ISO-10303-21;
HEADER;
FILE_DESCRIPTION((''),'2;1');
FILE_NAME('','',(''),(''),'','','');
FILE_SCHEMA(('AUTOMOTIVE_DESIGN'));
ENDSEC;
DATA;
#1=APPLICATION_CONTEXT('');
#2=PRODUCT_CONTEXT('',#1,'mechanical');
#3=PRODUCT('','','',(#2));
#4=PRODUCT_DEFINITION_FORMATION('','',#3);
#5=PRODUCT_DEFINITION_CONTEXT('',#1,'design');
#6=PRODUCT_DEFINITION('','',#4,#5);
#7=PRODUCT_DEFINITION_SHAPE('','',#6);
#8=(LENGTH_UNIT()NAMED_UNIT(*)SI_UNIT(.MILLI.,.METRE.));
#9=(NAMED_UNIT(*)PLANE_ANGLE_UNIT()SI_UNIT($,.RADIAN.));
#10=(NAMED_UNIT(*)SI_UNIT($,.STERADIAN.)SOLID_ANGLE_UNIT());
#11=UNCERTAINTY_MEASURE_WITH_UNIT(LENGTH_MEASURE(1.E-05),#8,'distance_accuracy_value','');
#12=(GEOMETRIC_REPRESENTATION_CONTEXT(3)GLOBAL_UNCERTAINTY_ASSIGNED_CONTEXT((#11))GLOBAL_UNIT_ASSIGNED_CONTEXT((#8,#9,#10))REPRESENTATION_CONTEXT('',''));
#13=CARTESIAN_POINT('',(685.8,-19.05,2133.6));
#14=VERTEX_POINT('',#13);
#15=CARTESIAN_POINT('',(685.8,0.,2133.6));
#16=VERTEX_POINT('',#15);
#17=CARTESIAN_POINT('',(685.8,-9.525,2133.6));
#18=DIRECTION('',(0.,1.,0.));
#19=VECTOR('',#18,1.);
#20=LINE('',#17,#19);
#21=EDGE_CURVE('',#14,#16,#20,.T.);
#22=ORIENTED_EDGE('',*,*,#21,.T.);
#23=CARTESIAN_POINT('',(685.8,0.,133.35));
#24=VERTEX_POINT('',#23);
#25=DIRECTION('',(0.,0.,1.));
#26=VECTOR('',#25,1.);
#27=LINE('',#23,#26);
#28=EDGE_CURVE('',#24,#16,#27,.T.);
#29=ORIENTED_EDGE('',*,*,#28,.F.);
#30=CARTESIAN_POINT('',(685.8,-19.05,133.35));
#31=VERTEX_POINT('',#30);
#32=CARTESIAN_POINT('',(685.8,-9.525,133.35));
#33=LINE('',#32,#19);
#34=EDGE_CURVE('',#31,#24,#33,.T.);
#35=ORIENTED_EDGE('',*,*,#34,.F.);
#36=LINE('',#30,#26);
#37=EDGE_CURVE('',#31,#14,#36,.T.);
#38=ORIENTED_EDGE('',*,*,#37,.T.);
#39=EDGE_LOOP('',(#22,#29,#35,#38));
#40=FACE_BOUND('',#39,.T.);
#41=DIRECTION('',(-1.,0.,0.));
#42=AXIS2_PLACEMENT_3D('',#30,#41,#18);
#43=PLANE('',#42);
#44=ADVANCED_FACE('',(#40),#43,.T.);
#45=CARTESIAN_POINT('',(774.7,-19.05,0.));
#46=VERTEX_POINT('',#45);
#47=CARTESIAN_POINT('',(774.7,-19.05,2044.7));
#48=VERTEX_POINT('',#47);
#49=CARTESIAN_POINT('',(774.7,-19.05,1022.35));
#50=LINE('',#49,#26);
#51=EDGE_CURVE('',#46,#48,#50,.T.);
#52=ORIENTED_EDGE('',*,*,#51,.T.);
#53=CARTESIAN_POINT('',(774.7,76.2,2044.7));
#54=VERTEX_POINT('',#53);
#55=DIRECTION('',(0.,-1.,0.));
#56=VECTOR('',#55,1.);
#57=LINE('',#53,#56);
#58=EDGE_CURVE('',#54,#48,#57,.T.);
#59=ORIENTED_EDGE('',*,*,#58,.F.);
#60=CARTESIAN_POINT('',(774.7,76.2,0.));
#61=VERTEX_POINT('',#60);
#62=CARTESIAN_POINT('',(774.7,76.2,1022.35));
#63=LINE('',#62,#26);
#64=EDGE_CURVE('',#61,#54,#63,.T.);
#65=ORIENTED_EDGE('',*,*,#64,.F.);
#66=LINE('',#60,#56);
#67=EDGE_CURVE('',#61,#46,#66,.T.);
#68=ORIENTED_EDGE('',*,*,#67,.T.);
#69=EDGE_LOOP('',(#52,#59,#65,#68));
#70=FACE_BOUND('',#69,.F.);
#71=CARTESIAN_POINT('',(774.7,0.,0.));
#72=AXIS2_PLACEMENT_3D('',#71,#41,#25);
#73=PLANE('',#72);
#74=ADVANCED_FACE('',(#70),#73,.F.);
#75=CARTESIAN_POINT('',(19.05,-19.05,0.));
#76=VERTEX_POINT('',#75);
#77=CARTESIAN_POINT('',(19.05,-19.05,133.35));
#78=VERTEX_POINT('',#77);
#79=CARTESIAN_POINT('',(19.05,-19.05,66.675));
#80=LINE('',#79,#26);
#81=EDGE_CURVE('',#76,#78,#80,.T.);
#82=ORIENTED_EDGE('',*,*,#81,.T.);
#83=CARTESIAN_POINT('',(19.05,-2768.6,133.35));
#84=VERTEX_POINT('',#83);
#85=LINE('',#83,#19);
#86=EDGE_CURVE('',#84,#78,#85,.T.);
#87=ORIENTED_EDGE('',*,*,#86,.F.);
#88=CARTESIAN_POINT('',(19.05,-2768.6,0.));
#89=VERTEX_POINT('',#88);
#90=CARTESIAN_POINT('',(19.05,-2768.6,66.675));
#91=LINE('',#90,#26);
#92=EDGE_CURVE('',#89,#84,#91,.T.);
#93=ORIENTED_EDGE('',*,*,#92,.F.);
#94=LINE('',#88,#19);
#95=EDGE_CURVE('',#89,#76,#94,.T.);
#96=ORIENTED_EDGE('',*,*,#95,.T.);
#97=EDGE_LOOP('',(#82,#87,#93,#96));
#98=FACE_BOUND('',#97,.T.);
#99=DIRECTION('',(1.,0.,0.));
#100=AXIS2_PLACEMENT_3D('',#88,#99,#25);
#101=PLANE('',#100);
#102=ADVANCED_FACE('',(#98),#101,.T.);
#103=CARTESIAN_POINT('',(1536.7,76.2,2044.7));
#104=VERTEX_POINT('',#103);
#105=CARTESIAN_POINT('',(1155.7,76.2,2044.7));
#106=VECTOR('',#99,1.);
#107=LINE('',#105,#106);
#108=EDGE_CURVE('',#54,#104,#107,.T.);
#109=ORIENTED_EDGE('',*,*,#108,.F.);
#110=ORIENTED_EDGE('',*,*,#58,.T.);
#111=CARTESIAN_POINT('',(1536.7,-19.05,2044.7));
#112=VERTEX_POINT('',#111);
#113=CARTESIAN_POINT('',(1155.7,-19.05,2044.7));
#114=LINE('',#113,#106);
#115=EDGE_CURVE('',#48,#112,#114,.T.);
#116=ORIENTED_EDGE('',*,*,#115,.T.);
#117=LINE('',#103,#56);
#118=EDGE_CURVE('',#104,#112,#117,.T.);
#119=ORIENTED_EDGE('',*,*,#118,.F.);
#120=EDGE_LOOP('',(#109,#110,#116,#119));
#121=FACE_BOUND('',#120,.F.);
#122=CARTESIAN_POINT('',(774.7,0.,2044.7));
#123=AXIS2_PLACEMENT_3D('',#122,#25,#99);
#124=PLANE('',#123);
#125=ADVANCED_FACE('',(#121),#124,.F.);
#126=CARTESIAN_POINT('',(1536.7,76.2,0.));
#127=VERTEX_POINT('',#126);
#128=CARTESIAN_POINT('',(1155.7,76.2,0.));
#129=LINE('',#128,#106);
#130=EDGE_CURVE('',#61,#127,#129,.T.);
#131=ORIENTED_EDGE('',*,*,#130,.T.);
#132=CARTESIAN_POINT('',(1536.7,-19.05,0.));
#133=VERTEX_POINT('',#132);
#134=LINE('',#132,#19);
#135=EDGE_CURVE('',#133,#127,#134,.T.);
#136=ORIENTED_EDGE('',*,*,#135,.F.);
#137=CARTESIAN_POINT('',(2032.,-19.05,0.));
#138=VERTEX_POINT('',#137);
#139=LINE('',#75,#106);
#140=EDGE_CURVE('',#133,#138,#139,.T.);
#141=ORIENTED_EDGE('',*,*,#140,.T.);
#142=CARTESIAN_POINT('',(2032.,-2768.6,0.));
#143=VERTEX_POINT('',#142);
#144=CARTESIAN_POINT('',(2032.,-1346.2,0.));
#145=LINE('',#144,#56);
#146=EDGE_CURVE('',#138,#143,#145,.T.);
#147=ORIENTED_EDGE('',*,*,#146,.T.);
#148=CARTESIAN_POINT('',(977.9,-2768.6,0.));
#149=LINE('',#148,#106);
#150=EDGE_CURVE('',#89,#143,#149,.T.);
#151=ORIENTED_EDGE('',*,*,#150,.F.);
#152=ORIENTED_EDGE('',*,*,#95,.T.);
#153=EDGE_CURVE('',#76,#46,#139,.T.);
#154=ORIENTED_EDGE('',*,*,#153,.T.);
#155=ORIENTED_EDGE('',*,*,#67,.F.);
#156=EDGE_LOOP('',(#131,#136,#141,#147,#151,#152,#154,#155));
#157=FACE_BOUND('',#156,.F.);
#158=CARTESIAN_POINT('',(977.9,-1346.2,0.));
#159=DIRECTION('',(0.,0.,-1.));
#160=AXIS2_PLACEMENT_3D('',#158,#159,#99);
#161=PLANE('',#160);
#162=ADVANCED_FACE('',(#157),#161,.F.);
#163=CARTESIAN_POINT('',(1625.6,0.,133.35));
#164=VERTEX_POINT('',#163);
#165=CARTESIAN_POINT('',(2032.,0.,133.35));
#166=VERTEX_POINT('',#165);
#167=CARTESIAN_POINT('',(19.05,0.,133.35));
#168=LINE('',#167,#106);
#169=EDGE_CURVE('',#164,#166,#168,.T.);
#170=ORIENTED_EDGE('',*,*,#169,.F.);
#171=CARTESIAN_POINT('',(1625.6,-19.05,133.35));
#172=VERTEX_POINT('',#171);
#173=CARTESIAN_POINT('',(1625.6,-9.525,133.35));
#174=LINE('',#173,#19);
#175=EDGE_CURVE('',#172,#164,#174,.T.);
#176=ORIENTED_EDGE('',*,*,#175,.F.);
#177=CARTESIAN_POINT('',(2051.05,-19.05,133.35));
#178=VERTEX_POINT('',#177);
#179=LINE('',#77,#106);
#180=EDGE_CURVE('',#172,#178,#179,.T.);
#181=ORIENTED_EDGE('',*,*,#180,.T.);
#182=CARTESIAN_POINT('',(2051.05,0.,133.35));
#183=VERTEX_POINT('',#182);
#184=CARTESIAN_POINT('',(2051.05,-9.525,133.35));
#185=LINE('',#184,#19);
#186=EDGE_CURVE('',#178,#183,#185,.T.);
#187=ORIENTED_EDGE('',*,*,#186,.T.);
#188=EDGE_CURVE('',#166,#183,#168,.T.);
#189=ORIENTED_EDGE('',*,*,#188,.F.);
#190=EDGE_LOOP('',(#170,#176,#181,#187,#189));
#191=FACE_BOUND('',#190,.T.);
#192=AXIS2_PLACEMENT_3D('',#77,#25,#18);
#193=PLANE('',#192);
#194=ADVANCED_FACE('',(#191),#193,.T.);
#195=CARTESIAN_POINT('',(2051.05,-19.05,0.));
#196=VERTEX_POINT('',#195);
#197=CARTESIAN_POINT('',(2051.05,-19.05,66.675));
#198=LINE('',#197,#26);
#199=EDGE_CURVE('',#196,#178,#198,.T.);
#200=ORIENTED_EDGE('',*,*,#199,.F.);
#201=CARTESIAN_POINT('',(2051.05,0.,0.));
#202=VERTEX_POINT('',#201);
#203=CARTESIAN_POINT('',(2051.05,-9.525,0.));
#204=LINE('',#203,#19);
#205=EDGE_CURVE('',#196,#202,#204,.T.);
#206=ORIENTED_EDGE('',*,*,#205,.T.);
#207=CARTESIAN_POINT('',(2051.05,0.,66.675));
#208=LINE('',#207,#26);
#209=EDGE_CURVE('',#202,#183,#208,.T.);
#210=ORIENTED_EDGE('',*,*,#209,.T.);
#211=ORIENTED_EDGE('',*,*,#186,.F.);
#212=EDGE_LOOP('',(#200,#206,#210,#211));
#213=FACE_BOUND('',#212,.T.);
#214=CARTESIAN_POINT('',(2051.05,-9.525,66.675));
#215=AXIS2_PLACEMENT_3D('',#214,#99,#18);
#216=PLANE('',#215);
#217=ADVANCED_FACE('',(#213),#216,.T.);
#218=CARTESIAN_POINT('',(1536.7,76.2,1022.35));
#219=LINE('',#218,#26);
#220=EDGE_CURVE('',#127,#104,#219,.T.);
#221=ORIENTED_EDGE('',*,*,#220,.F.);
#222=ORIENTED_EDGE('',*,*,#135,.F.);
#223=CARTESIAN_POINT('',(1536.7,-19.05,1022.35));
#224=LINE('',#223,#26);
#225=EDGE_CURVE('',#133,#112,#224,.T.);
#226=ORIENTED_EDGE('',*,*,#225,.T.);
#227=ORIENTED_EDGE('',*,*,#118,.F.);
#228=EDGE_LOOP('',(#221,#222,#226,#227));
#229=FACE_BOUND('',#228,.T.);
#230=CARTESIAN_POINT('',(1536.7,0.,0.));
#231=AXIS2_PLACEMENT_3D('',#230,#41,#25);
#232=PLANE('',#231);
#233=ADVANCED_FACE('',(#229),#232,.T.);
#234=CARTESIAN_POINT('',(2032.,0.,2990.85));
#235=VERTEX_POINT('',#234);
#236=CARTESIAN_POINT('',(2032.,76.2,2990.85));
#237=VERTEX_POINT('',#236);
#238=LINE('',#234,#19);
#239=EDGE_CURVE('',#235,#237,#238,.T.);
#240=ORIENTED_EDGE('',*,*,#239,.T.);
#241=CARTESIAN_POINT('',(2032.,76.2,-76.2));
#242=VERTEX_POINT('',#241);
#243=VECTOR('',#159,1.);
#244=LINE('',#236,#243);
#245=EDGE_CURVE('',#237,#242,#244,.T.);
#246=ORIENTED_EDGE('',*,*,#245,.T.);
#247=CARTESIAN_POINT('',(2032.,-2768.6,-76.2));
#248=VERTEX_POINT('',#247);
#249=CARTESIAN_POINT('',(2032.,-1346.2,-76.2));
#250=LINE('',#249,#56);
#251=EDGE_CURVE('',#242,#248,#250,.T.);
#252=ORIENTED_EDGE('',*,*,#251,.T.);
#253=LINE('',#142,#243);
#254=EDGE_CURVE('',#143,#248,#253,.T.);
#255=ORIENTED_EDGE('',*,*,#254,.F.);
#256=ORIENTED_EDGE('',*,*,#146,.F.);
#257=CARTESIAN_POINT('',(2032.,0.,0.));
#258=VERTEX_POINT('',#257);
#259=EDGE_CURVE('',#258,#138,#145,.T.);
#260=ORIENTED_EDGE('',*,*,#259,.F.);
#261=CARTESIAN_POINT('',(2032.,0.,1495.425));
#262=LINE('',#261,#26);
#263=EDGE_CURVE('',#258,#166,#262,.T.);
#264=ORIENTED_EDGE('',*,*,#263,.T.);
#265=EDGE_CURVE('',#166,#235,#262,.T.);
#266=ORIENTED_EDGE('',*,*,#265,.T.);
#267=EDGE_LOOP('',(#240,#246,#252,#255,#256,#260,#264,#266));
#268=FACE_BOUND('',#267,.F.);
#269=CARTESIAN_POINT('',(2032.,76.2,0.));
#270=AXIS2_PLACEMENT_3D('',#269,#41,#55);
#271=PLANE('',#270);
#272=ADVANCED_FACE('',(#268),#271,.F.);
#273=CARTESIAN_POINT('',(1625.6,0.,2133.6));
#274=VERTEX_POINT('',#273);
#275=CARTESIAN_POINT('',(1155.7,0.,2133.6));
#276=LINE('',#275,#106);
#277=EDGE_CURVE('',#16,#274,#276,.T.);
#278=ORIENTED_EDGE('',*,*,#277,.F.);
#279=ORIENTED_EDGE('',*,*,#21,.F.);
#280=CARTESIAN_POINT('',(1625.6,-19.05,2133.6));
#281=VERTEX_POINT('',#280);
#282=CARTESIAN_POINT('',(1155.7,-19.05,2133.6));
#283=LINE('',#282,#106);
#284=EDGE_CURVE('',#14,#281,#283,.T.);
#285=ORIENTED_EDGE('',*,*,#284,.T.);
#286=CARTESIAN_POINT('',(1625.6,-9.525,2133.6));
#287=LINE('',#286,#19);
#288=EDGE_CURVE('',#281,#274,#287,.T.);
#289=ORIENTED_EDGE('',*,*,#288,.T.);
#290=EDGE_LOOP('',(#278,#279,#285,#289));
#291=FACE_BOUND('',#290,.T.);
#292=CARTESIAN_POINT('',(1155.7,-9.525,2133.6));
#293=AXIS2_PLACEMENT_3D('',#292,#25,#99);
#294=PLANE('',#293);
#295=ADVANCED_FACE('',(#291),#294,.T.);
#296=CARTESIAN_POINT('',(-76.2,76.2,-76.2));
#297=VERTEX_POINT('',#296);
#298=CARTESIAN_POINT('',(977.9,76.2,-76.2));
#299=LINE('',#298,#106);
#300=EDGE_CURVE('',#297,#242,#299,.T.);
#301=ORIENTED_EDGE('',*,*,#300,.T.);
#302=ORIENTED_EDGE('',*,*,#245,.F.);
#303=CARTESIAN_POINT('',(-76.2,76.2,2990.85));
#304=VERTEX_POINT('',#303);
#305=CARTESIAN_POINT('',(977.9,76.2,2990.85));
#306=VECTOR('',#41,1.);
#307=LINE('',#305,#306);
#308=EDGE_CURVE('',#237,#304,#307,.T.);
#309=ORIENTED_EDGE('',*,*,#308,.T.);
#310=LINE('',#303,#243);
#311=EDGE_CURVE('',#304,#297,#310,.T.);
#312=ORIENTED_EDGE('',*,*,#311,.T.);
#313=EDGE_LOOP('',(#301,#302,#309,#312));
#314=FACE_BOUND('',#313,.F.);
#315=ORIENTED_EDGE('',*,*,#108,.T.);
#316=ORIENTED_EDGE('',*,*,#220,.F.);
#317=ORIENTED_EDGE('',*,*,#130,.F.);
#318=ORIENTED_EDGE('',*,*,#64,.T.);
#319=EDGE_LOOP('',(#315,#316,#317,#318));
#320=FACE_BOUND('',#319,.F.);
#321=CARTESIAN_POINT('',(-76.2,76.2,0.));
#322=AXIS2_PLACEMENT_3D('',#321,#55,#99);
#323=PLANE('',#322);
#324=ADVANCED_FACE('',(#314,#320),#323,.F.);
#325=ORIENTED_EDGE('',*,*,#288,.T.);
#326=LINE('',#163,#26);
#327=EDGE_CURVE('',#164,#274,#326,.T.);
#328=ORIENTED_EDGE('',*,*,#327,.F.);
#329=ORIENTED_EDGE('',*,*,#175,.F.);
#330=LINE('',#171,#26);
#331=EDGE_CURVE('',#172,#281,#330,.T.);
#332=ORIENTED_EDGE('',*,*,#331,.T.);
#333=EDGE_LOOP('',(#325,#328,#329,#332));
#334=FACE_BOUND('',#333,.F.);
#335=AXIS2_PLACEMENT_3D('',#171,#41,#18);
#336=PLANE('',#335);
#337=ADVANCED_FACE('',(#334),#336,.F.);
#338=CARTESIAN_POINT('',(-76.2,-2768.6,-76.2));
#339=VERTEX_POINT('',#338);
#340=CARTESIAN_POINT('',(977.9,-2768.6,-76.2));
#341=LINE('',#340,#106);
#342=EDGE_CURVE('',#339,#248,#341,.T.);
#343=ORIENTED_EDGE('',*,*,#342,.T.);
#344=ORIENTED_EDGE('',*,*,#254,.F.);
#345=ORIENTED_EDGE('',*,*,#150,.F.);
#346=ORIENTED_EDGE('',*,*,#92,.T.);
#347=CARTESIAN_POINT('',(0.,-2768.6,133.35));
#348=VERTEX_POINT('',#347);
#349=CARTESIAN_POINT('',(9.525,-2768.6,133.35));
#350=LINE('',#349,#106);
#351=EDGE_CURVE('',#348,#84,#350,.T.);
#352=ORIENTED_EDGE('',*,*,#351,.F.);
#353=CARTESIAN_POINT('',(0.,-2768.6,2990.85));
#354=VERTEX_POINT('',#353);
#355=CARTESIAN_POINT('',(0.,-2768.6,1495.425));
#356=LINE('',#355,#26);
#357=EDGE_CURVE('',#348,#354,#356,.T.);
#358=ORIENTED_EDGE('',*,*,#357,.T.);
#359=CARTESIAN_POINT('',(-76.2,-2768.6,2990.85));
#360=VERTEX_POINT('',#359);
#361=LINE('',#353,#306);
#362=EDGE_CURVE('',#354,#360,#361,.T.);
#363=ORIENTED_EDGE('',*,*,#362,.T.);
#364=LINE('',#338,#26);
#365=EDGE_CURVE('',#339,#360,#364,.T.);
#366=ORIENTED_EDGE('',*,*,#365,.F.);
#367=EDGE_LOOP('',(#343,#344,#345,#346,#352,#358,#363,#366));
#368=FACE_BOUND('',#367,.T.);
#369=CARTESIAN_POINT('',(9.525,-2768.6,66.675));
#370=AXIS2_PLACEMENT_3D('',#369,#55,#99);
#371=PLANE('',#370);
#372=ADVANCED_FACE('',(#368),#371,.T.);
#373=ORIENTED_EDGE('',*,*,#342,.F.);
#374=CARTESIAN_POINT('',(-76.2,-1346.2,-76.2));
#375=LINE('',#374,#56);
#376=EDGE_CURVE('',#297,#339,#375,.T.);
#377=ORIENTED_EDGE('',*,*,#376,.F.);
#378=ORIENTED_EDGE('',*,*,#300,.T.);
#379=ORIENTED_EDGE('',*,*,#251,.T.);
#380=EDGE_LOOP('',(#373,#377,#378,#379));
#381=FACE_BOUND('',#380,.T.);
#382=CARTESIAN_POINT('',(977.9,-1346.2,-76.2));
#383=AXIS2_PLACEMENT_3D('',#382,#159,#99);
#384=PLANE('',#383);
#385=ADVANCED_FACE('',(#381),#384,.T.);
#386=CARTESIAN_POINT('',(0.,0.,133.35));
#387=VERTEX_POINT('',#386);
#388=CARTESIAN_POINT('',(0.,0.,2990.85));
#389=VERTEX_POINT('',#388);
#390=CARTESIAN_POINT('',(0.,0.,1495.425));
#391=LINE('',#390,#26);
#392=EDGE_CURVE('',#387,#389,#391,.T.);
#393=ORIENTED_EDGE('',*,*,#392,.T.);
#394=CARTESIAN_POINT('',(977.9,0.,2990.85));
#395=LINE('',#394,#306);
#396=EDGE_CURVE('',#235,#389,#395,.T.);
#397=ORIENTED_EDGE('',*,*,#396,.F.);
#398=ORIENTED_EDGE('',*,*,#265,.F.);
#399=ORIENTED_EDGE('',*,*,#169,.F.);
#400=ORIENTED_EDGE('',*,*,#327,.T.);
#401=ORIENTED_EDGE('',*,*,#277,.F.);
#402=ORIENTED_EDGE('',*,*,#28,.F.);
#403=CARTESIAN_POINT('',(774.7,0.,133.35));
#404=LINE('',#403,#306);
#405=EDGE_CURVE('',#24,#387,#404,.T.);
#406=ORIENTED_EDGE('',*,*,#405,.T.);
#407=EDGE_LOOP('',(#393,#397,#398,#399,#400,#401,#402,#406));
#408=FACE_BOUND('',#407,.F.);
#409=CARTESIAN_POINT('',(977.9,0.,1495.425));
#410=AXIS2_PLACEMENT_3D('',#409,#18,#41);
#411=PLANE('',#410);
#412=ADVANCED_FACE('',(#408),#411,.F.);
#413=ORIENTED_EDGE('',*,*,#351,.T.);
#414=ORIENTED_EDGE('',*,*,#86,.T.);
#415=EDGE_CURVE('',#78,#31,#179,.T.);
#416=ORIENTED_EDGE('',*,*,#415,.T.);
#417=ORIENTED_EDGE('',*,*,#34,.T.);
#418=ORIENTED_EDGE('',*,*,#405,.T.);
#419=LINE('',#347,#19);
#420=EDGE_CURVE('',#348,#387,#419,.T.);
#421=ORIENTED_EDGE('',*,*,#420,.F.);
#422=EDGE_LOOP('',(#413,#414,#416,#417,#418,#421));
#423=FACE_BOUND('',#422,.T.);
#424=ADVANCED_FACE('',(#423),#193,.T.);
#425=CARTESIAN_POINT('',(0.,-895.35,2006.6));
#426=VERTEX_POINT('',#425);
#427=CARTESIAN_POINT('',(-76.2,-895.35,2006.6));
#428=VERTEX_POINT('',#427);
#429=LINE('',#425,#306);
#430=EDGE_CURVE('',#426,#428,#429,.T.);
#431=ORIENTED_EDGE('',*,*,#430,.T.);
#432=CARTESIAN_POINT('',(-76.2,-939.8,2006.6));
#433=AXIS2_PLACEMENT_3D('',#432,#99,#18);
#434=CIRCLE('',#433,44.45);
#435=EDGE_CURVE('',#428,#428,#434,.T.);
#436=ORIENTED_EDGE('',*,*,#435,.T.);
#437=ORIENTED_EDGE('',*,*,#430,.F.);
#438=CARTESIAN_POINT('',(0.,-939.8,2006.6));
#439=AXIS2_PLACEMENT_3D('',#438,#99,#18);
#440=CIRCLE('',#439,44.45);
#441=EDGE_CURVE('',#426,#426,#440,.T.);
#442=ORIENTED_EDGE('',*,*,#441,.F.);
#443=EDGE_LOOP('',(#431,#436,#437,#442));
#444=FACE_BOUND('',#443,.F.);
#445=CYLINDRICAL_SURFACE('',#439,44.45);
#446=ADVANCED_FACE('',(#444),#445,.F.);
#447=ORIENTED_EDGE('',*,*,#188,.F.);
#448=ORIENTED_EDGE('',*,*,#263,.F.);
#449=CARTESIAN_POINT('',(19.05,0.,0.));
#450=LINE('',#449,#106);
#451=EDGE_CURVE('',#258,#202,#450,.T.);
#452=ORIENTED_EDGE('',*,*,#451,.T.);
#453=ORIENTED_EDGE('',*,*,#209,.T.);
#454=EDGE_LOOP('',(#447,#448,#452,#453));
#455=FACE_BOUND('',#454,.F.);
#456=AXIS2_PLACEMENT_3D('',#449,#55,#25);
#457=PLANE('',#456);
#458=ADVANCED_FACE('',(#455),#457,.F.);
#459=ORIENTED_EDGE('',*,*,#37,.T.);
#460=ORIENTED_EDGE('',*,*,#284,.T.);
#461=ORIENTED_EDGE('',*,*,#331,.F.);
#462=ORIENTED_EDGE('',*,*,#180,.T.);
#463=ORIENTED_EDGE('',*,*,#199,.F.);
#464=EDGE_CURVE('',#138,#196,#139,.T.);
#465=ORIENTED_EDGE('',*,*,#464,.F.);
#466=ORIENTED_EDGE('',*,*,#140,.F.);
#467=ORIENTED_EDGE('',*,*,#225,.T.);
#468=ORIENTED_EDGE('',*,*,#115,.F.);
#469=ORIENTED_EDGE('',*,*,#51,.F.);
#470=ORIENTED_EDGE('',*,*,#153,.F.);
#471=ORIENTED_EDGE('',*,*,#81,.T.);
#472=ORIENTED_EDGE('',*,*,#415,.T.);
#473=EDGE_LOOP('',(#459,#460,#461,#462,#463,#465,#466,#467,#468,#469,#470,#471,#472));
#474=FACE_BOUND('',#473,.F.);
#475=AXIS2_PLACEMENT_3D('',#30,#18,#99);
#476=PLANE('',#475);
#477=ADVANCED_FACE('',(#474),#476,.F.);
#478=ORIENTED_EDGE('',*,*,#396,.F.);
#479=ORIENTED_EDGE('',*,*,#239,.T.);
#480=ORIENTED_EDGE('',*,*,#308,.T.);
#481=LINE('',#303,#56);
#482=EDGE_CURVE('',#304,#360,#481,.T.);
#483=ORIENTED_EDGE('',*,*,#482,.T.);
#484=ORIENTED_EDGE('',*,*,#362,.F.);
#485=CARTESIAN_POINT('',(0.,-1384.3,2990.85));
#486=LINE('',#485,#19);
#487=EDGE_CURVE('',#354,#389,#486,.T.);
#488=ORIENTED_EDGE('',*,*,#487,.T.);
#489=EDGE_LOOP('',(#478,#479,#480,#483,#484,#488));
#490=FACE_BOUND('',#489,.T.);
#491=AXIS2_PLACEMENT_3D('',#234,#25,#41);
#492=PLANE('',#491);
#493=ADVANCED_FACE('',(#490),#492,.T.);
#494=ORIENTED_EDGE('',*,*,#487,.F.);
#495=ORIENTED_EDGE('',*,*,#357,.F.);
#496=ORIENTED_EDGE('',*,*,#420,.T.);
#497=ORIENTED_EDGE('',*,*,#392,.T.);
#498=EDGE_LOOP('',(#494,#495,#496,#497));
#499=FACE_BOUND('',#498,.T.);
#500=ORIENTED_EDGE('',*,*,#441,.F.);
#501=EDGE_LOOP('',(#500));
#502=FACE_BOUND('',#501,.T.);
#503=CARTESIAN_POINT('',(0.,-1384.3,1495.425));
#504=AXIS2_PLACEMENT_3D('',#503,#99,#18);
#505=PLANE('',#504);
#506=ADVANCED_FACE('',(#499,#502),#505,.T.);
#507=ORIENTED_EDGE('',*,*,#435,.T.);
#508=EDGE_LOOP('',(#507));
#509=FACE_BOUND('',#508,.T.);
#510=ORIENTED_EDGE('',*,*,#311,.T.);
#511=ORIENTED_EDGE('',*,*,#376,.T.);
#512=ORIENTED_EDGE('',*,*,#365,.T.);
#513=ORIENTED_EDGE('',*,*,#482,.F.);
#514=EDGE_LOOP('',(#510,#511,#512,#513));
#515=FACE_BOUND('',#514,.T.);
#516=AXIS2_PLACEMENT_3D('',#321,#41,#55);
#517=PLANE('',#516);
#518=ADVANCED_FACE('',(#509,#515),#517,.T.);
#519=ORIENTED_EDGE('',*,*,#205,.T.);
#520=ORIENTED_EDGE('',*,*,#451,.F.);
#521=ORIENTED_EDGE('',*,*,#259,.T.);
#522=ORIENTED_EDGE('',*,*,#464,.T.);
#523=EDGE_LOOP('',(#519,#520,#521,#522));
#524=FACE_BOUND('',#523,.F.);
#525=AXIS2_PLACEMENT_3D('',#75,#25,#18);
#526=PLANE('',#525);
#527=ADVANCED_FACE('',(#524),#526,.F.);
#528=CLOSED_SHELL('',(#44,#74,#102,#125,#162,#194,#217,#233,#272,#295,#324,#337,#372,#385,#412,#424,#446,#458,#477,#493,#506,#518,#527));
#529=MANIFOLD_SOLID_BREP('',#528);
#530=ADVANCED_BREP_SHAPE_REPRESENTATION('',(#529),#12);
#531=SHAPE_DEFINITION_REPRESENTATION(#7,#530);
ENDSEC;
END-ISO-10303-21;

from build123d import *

# Parameters (mm, degrees)
F0_W      = 2768.6
F0_H      = 2990.85
F1_DEPTH  = 76.2
F2_W      = 2108.2
F2_H      = 2990.85
F3_DEPTH  = 76.2
F4_W      = 2108.2
F4_H      = 2844.8
F5_DEPTH  = 76.2
F6_W      = 762
F6_H      = 2044.7
F7_DEPTH  = 76.2
F8_W      = 19.05
F8_H      = 133.35
F9_DEPTH  = 2768.6
F10_W     = 19.05
F10_H     = 133.35
F11_DEPTH = 2032
F12_W     = 939.8
F12_H     = 19.05
F13_DEPTH = 2000.25
F14_DEPTH = 19.05
F15_R     = 44.45
F16_DEPTH = 76.2


with BuildPart() as f1:
    # F0 (on Right) → F1 (new body)
    with BuildSketch(Plane.YZ):
        with Locations((-1384.3, 1495.425)):
            Rectangle(F0_W, F0_H)
    extrude(amount=-F1_DEPTH)

    # F2 (on face) → F3 (join)
    with BuildSketch(Plane(origin=(0, 0, 0), x_dir=(-1, 0, 0), z_dir=(0, 1, 0))):
        with Locations((-977.9, 1495.425)):
            Rectangle(F2_W, F2_H)
    extrude(amount=F3_DEPTH)

    # F4 (on face) → F5 (join)
    with BuildSketch(Plane(origin=(0, 0, 0), x_dir=(1, 0, 0), z_dir=(0, 0, -1))):
        with Locations((977.9, 1346.2)):
            Rectangle(F4_W, F4_H)
    extrude(amount=F5_DEPTH)

    # F6 (on face) → F7 (cut)
    with BuildSketch(Plane.XZ):
        with Locations((1155.7, 1022.35)):
            Rectangle(F6_W, F6_H)
    extrude(amount=-F7_DEPTH, mode=Mode.SUBTRACT)

    # F8 (on face) → F9 (join)
    with BuildSketch(Plane.XZ.offset(2768.6)):
        with Locations((9.525, 66.675)):
            Rectangle(F8_W, F8_H)
    extrude(amount=-F9_DEPTH)

    # F10 (on face) → F11 (join)
    with BuildSketch(Plane.YZ.offset(19.05)):
        with Locations((-9.525, 66.675)):
            Rectangle(F10_W, F10_H)
    extrude(amount=F11_DEPTH)

    # F12 (on face) → F13 (join)
    with BuildSketch(Plane.XY.offset(133.35)):
        with Locations((1155.7, -9.525)):
            Rectangle(F12_W, F12_H)
    extrude(amount=F13_DEPTH)

    # F6 (on face) → F14 (cut)
    with BuildSketch(Plane.XZ):
        with Locations((1155.7, 1022.35)):
            Rectangle(F6_W, F6_H)
    extrude(amount=F14_DEPTH, mode=Mode.SUBTRACT)

    # F15 (on face) → F16 (cut)
    with BuildSketch(Plane.YZ):
        with Locations((-939.8, 2006.6)):
            Circle(F15_R)
    extrude(amount=-F16_DEPTH, mode=Mode.SUBTRACT)


solid = f1.part
